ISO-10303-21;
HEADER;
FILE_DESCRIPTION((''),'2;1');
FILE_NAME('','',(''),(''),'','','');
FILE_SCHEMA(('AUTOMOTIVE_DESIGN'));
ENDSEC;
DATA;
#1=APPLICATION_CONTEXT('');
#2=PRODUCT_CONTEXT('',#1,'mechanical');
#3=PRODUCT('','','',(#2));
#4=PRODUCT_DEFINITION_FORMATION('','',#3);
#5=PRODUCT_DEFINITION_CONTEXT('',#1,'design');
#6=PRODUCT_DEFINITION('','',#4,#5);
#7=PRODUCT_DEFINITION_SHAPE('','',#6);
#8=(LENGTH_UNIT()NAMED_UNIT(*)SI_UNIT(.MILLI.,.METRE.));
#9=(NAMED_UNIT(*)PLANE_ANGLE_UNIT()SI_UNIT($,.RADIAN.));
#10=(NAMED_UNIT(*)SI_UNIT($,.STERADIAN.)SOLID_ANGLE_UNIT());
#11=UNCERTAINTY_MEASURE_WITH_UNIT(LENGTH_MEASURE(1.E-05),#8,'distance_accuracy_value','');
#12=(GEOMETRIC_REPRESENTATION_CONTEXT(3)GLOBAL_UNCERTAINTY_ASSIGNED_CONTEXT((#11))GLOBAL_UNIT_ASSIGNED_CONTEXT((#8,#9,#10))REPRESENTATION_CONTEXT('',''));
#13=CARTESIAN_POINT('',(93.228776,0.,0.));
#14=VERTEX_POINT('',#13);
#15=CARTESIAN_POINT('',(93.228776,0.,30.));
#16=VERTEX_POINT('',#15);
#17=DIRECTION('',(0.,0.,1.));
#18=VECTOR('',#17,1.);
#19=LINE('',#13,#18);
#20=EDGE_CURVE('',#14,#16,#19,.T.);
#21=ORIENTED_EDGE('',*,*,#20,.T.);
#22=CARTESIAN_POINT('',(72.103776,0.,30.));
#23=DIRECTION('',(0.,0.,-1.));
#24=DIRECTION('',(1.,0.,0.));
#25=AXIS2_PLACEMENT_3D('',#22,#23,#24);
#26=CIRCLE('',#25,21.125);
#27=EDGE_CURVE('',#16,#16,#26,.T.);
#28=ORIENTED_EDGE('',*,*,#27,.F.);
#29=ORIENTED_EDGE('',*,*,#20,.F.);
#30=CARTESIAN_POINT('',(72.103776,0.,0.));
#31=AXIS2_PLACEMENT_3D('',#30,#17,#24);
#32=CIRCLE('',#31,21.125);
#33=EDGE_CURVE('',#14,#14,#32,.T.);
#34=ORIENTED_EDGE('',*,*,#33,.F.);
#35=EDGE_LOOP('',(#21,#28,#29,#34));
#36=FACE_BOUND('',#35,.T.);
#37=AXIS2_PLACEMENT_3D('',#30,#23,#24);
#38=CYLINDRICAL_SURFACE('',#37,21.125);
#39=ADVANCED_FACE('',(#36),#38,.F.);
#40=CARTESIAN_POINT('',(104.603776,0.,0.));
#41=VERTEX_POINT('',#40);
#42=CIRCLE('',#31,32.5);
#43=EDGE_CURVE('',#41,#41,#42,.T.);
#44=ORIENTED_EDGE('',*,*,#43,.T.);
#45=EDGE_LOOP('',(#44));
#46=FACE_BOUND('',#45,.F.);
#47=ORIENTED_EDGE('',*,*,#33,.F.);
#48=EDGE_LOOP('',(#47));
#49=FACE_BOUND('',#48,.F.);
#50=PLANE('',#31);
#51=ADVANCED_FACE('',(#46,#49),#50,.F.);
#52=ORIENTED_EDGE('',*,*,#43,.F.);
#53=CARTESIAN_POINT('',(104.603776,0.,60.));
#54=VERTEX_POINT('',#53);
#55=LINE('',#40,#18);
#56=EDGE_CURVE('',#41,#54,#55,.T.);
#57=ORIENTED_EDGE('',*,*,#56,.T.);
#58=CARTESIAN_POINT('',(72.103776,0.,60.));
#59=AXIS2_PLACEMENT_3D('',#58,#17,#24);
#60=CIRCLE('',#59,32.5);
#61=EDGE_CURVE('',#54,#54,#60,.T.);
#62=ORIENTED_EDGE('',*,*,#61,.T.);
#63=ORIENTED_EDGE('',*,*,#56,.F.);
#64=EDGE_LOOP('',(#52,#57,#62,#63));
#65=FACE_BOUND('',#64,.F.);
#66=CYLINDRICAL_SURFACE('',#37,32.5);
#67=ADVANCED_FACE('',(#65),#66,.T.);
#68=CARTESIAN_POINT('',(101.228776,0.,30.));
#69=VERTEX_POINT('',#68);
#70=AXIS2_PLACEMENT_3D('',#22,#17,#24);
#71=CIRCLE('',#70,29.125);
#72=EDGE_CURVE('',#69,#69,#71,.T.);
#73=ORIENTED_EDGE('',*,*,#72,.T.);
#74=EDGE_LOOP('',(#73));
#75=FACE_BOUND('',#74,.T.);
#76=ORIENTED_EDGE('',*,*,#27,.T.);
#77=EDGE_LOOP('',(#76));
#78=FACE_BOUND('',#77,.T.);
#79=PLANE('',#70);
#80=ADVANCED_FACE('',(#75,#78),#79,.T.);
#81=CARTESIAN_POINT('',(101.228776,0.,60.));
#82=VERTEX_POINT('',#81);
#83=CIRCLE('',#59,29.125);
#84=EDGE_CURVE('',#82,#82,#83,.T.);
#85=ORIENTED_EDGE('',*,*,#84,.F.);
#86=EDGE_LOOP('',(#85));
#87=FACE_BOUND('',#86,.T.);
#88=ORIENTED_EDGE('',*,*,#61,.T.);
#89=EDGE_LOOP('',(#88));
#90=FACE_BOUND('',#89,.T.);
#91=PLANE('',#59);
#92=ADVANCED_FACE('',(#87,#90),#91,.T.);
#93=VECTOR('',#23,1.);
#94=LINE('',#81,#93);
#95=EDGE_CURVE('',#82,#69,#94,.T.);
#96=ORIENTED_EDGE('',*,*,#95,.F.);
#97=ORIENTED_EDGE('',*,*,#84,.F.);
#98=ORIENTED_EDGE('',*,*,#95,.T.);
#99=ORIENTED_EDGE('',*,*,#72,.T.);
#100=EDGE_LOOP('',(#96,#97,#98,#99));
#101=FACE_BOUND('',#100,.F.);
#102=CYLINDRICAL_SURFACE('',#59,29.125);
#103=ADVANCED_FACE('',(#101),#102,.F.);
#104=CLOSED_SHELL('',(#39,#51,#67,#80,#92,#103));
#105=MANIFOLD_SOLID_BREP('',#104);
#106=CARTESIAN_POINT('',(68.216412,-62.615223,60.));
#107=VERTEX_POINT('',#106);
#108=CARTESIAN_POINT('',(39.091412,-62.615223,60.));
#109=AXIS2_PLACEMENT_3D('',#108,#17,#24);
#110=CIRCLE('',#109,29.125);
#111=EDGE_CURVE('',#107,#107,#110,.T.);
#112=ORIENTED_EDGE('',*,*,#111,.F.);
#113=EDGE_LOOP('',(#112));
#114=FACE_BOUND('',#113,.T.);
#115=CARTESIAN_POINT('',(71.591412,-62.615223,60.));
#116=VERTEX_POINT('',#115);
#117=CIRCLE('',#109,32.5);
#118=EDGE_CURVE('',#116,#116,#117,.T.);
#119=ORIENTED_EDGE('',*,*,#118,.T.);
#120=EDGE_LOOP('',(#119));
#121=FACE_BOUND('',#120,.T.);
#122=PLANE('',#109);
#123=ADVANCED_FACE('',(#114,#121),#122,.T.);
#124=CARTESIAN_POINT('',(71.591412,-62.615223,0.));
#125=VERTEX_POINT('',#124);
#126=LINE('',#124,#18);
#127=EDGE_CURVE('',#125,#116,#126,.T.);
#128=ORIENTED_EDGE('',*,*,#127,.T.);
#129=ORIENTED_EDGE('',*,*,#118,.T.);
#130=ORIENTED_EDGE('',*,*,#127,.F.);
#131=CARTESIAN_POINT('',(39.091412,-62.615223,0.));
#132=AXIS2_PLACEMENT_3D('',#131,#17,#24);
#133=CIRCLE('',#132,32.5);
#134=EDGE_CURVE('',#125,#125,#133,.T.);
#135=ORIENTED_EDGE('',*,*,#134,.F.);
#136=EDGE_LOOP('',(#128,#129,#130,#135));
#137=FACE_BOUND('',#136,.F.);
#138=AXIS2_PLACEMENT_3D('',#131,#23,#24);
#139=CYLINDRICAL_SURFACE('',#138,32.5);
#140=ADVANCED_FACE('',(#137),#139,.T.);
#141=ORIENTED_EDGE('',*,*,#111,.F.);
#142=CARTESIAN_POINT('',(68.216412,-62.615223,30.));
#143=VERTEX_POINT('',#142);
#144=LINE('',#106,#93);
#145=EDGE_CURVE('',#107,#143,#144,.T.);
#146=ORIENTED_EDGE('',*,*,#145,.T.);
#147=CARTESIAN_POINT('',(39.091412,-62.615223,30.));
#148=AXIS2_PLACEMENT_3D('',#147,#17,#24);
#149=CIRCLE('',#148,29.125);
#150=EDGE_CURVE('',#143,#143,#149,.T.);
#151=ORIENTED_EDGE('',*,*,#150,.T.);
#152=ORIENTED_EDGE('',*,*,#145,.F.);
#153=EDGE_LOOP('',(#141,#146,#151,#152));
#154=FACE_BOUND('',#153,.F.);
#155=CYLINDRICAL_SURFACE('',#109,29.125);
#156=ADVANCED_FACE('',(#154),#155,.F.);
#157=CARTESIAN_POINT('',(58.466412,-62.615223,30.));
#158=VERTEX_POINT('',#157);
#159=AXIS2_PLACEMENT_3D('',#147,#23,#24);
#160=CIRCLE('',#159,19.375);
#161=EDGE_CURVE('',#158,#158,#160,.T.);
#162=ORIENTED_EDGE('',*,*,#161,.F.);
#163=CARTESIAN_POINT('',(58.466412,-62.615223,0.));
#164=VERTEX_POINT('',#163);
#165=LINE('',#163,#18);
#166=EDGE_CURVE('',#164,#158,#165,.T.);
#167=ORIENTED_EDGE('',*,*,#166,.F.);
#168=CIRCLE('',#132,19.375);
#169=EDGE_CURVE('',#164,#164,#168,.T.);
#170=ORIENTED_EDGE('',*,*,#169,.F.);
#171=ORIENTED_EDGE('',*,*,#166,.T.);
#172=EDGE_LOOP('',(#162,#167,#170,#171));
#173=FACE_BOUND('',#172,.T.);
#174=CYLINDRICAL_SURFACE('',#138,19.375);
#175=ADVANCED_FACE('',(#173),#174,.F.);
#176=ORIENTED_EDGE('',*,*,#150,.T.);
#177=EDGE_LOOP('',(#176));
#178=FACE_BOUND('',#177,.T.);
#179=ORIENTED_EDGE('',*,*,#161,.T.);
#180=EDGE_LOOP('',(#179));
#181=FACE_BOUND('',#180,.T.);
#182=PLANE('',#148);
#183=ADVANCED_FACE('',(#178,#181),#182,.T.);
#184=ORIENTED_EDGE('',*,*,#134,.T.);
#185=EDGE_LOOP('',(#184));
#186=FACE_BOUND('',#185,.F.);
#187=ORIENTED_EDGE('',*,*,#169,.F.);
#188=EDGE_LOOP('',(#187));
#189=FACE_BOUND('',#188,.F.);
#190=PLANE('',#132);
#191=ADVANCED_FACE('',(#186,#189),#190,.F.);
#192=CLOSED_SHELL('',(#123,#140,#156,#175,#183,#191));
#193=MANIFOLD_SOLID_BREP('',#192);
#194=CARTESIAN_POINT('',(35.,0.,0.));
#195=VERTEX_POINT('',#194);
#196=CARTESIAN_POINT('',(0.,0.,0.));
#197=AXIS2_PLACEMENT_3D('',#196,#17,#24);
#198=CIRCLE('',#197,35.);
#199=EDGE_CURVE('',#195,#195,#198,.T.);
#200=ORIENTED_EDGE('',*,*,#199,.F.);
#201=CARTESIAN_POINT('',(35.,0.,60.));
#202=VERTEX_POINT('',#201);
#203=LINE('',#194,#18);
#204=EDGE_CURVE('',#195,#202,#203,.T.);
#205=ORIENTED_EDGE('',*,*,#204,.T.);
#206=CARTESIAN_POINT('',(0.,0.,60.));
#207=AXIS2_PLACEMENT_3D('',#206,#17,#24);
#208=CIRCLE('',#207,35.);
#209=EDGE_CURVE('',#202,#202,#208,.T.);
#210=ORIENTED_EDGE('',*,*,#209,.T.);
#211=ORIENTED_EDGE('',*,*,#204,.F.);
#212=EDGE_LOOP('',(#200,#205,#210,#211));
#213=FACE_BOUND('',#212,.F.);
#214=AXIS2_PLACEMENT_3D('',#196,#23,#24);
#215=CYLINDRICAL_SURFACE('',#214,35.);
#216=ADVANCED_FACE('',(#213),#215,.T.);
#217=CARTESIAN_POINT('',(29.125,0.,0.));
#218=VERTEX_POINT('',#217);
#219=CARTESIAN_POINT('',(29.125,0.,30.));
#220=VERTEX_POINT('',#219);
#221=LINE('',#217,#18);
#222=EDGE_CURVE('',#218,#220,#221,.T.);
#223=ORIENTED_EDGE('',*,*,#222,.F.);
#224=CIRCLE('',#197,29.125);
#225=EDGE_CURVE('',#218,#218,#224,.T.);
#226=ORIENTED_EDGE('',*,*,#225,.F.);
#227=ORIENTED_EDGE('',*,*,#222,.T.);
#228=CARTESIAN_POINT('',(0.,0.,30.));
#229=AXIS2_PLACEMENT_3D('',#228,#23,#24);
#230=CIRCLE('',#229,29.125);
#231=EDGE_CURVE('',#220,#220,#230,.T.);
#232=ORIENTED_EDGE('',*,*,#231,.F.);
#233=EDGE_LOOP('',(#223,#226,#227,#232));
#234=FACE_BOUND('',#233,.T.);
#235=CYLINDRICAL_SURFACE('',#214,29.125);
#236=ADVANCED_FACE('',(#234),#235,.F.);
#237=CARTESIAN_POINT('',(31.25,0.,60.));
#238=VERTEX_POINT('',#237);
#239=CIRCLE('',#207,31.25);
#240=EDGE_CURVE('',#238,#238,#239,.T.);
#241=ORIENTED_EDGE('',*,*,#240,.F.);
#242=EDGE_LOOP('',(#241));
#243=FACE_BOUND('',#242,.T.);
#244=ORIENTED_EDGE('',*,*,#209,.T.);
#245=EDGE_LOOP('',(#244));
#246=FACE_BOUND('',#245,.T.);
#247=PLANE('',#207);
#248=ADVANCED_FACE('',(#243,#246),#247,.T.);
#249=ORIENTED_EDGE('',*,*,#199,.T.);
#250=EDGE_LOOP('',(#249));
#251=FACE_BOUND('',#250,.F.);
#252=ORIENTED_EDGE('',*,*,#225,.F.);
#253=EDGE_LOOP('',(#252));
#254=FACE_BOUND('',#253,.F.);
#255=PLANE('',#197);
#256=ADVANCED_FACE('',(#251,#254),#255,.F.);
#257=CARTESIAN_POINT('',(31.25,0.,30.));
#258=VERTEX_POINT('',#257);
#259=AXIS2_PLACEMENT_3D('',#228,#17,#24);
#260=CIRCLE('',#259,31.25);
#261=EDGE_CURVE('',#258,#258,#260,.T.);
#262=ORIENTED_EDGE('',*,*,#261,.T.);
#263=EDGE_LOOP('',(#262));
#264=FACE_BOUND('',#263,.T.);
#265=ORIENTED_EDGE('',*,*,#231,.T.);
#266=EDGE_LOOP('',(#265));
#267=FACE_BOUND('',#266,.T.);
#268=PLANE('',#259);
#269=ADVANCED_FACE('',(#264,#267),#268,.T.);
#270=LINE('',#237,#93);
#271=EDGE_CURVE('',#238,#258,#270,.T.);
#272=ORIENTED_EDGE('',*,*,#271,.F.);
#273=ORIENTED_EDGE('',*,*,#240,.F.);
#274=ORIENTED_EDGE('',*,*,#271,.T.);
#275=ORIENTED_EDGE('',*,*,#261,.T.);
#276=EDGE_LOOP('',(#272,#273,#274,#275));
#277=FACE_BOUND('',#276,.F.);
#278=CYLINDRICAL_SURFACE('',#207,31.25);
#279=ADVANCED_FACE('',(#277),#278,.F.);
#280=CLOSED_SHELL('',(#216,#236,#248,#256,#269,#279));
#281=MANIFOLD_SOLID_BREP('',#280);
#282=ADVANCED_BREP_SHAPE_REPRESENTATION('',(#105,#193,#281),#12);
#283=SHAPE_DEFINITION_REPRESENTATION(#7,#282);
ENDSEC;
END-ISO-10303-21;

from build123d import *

# Parameters (mm, degrees)
F0_R     = 35
F0_R_2   = 32.5
F1_DEPTH = 60
F2_R     = 29.125
F2_R_2   = 21.125
F2_R_3   = 19.375
F3_DEPTH = 60
F5_R     = 31.25
F5_R_2   = 29.125
F6_DEPTH = 30


with BuildPart() as f1:
    # F0 (on Top) → F1 (new body)
    with BuildSketch(Plane.XY):
        Circle(F0_R)
        with Locations((72.103776, 0)):
            Circle(F0_R_2)
        with Locations((39.091412, -62.615223)):
            Circle(F0_R_2)
    extrude(amount=F1_DEPTH)

    # F2 (on Top) → F3 (cut, through all)
    with BuildSketch(Plane.XY):
        Circle(F2_R)
        with Locations((72.103776, 0)):
            Circle(F2_R_2)
        with Locations((39.091412, -62.615223)):
            Circle(F2_R_3)
    extrude(amount=F3_DEPTH, mode=Mode.SUBTRACT)

    # F5 (on offset) → F6 (cut)
    with BuildSketch(Plane.XY.offset(60)):
        Circle(F5_R)
        with Locations((72.103776, 0)):
            Circle(F5_R_2)
        with Locations((39.091412, -62.615223)):
            Circle(F5_R_2)
    extrude(amount=-F6_DEPTH, mode=Mode.SUBTRACT)


solid = f1.part
